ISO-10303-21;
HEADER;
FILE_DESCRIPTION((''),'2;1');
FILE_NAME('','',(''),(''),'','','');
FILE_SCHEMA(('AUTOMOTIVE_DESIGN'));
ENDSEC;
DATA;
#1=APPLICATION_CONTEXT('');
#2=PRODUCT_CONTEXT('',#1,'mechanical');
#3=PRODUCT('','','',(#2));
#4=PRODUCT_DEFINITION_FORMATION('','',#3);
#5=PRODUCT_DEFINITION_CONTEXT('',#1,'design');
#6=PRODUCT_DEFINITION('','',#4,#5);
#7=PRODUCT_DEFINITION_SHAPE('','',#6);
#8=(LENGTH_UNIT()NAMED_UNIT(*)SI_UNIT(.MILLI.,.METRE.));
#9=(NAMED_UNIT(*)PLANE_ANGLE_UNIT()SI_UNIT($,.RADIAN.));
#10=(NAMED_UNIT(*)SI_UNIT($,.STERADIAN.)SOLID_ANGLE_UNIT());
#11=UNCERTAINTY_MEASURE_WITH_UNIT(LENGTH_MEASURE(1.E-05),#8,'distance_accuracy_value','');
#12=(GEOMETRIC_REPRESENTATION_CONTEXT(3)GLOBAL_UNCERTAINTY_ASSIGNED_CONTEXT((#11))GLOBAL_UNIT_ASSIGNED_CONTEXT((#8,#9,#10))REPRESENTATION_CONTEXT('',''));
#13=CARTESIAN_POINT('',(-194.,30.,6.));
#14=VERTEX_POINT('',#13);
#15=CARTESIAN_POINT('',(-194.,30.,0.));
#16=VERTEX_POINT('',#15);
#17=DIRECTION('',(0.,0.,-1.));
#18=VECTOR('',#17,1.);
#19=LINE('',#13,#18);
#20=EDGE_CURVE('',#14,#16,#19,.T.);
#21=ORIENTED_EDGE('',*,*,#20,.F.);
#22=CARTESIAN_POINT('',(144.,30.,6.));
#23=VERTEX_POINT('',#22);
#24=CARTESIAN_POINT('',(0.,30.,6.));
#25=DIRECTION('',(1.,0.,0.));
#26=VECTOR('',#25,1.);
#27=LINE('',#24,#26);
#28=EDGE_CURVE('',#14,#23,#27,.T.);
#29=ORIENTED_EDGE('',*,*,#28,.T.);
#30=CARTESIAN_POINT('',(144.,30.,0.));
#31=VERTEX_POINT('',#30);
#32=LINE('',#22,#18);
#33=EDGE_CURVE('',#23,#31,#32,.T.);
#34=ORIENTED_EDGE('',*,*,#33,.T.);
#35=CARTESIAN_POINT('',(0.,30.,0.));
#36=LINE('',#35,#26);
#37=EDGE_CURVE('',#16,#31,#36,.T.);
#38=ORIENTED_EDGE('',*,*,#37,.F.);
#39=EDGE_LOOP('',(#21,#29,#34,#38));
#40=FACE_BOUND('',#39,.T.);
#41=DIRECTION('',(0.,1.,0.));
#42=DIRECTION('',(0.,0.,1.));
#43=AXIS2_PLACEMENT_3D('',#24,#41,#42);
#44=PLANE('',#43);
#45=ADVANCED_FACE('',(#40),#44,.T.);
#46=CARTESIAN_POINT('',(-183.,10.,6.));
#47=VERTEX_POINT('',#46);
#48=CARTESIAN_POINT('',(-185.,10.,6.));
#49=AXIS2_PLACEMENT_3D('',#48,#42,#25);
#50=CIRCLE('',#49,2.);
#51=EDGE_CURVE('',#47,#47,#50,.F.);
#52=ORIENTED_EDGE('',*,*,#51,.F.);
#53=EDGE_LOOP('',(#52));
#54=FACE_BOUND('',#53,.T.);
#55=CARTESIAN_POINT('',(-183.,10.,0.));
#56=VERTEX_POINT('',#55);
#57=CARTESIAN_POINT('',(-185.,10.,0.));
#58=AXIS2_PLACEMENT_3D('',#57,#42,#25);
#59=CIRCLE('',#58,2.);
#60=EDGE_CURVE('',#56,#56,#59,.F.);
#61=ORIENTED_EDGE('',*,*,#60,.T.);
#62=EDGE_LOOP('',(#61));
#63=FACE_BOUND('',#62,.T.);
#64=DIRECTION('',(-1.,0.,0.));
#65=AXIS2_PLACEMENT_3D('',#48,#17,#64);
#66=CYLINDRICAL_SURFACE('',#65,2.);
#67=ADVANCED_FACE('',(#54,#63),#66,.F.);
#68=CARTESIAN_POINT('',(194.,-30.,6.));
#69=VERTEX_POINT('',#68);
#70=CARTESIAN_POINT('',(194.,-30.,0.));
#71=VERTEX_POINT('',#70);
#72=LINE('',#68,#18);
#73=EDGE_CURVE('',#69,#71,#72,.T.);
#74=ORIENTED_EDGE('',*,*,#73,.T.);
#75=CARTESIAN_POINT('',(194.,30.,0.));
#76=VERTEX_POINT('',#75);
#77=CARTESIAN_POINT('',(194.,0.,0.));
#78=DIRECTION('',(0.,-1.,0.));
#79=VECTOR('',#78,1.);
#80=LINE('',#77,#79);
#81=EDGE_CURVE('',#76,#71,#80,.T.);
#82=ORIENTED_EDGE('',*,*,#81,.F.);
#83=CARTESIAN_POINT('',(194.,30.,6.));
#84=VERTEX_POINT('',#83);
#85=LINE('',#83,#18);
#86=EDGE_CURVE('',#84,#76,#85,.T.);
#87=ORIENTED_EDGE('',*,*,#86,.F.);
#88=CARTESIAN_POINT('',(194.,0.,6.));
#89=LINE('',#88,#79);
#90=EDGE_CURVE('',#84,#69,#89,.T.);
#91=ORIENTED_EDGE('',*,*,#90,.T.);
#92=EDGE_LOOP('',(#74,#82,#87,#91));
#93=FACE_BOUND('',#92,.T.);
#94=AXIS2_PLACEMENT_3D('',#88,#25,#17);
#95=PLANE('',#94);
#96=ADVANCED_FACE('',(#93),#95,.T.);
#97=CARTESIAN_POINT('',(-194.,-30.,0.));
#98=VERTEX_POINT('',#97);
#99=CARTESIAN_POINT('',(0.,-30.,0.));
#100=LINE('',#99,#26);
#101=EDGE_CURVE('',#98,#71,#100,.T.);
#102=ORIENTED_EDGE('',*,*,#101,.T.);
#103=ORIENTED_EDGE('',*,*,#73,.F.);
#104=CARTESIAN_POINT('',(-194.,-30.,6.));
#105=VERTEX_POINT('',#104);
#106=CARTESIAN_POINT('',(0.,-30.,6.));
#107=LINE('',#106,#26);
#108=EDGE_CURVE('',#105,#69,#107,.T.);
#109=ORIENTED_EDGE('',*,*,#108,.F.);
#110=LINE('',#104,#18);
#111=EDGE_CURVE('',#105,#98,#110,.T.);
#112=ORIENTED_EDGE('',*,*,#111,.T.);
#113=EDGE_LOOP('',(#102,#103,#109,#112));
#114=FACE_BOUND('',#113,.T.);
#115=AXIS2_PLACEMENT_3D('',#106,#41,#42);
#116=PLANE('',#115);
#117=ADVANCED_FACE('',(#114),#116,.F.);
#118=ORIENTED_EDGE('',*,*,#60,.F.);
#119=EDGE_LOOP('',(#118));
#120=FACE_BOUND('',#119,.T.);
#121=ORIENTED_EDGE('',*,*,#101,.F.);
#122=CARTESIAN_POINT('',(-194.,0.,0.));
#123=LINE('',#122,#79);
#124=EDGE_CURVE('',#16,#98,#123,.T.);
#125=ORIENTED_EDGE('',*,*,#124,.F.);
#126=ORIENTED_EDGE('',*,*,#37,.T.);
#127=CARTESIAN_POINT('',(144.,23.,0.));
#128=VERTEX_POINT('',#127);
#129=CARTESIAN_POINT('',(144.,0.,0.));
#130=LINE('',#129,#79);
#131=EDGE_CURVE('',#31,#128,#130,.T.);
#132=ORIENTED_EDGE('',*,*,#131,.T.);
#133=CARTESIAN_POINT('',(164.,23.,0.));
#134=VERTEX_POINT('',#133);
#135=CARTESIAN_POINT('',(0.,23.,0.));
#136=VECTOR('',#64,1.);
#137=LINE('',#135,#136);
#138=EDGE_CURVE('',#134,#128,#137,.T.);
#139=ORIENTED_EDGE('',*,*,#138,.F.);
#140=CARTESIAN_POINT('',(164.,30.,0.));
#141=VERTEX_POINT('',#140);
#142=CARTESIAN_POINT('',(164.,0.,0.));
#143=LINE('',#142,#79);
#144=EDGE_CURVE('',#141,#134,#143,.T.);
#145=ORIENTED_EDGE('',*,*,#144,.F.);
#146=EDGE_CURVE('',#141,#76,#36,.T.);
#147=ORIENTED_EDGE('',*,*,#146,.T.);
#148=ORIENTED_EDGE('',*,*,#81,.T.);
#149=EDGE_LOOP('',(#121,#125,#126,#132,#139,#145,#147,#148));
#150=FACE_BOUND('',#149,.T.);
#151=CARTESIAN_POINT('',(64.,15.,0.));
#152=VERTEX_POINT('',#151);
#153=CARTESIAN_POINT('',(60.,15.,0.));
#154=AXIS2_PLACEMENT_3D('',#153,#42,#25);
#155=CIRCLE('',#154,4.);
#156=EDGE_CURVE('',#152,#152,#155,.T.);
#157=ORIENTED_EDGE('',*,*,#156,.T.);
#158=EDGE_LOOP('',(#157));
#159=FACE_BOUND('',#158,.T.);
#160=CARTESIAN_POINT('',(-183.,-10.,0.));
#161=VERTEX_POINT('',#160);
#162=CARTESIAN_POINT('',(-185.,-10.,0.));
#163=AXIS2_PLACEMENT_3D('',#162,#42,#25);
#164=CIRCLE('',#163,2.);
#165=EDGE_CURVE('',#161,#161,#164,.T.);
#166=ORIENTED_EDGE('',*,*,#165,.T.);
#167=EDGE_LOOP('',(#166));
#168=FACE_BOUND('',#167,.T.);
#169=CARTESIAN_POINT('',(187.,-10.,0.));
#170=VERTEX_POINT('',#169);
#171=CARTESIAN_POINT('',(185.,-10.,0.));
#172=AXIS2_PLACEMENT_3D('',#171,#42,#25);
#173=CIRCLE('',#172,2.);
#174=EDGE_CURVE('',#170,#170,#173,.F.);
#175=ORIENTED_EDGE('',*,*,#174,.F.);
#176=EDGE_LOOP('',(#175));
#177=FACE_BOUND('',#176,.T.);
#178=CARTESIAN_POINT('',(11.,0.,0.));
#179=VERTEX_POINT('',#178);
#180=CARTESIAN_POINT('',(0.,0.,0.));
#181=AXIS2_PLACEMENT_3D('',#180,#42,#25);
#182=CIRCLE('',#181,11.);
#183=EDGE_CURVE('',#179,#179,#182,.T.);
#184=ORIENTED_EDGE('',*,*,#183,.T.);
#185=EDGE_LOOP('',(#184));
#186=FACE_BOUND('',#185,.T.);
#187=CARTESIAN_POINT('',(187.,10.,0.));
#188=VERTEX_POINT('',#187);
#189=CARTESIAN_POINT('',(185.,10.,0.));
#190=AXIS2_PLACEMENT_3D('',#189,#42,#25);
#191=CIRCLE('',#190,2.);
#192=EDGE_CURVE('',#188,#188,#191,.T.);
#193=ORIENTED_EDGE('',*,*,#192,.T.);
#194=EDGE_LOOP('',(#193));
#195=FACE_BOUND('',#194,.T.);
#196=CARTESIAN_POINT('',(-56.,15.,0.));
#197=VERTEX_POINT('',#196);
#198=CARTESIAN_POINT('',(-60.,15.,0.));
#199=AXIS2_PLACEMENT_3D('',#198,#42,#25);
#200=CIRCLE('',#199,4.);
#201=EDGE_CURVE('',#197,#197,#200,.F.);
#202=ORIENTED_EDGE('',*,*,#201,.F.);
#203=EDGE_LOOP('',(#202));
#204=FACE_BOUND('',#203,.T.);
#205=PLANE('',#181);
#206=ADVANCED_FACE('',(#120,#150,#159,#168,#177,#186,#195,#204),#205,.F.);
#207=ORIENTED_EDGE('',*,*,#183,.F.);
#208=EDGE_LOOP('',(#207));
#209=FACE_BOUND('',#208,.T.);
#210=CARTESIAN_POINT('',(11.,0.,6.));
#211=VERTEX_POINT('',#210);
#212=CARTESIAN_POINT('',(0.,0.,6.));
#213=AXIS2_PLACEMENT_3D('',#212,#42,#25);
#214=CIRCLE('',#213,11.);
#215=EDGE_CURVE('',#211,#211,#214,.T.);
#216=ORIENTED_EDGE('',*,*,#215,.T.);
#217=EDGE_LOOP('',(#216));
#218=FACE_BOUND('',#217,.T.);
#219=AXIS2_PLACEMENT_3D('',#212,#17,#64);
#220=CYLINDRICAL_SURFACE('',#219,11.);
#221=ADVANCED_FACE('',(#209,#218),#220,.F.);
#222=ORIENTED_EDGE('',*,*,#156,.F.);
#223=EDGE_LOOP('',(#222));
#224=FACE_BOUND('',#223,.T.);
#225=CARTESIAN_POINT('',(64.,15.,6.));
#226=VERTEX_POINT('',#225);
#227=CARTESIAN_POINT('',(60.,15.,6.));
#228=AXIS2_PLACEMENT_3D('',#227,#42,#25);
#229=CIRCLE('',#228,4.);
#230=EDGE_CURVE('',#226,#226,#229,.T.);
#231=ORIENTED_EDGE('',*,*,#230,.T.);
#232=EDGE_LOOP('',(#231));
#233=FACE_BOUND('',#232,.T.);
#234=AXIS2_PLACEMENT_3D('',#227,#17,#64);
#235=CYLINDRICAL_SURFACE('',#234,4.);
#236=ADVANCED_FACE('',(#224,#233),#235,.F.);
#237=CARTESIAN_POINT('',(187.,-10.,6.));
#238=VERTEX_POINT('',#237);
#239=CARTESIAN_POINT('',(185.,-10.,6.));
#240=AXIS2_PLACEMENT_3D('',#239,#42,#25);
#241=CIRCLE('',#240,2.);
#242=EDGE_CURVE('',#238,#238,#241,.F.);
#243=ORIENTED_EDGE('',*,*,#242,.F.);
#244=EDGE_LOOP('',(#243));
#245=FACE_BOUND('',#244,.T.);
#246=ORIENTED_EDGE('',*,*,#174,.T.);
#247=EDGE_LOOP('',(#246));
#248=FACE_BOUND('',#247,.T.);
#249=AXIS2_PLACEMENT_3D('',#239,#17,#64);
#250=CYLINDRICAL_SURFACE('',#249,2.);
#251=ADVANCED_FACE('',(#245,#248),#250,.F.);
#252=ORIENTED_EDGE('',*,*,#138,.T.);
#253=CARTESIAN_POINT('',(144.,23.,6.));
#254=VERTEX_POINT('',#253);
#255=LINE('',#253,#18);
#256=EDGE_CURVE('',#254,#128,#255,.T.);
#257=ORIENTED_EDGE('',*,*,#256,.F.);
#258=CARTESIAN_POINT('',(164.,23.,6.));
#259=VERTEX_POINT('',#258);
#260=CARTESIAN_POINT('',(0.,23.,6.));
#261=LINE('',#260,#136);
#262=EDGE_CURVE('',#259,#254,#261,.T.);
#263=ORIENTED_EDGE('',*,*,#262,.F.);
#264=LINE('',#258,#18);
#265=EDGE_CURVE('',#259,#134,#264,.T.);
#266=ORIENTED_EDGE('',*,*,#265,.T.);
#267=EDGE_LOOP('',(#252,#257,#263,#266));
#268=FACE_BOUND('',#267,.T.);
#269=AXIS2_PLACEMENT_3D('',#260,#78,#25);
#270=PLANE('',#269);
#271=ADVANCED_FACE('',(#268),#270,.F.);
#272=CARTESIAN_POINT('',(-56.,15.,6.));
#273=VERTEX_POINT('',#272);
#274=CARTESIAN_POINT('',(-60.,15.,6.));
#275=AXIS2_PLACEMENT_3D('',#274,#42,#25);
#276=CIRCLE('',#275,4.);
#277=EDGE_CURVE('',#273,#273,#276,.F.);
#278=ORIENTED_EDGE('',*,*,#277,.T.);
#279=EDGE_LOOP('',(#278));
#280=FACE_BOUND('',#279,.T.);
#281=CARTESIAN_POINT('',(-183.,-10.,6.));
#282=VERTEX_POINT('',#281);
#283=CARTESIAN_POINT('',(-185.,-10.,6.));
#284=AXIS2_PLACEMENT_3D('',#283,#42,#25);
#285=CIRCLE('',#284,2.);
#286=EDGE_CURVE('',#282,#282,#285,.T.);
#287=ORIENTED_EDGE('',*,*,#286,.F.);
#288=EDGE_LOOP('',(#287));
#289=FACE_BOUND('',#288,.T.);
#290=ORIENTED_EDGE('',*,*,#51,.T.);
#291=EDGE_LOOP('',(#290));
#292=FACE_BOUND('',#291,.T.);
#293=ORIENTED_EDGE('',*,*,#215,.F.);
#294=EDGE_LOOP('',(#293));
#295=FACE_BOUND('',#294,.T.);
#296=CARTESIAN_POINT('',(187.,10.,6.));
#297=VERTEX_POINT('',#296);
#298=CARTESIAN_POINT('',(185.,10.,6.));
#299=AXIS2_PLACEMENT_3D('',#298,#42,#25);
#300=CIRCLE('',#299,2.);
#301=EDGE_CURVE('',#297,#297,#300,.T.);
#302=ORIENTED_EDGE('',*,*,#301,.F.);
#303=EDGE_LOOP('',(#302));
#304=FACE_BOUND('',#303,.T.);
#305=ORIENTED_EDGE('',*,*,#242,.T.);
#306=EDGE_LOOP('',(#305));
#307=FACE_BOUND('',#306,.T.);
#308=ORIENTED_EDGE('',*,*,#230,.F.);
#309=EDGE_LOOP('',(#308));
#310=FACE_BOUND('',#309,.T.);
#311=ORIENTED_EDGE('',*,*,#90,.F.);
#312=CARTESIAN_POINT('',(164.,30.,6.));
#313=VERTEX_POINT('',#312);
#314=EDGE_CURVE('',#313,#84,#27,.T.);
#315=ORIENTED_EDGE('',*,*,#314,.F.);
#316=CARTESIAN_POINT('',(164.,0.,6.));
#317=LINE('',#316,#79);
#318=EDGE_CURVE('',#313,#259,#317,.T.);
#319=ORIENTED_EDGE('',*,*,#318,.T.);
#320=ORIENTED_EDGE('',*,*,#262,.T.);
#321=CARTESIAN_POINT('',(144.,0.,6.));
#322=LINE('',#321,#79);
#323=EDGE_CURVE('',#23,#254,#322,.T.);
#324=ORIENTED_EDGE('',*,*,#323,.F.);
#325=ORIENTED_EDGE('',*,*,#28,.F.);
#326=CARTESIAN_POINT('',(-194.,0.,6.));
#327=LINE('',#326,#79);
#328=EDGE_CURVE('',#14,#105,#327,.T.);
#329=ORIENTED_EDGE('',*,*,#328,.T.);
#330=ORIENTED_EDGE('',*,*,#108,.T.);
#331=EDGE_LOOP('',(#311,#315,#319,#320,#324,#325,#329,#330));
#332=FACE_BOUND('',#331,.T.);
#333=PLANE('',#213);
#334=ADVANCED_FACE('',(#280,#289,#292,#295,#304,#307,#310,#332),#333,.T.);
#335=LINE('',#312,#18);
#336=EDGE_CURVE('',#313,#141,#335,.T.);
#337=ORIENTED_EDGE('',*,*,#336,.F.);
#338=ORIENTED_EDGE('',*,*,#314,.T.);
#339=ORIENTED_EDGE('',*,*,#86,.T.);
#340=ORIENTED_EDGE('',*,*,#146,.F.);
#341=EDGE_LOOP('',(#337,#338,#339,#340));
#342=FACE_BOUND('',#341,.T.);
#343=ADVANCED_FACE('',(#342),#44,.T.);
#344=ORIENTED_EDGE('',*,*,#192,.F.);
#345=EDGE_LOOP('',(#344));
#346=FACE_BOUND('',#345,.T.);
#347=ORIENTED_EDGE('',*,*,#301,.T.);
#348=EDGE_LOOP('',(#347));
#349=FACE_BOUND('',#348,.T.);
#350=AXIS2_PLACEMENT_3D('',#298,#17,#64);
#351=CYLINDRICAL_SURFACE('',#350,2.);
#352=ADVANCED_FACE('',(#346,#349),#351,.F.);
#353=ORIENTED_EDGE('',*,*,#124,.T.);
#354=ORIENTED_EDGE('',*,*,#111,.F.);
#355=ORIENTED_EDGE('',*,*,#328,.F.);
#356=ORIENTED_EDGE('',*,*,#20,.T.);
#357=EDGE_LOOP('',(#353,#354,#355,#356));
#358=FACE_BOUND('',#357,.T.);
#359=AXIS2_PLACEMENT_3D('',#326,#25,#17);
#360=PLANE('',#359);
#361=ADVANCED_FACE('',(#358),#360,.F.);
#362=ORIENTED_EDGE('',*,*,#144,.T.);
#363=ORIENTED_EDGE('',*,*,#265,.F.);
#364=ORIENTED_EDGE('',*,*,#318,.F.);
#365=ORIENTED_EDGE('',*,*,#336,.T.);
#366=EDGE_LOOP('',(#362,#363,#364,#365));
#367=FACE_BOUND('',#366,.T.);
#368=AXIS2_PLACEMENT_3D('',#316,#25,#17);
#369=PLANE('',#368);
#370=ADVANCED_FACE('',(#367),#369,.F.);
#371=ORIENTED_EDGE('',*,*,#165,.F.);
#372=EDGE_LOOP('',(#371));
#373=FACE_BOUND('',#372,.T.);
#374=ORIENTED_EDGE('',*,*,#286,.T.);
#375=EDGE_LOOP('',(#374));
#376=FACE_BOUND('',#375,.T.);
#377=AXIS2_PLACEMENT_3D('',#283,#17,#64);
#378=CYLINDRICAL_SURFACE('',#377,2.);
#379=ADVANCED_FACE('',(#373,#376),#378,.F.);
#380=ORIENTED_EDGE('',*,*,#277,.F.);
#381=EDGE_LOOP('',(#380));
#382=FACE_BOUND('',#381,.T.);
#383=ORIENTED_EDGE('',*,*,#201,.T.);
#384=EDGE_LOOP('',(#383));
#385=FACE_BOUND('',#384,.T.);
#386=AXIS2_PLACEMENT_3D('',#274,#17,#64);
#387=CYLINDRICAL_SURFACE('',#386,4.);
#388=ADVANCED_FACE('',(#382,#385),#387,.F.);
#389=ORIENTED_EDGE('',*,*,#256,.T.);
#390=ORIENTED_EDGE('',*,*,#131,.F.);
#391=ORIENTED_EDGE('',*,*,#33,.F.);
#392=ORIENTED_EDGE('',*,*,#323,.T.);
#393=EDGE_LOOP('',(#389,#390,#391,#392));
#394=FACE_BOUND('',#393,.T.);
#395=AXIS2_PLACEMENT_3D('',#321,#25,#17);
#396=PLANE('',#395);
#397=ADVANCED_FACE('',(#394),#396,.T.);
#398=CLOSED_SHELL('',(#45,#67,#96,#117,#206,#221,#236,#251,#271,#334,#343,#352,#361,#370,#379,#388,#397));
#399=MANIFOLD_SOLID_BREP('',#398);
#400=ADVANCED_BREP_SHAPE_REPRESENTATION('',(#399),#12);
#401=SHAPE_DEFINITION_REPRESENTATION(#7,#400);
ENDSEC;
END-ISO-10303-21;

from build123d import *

# Parameters (mm, degrees)
SKETCH1_R           = 2
SKETCH1_R_2         = 4
SKETCH1_R_3         = 11
BOSS_EXTRUDE1_DEPTH = 6


with BuildPart() as part:
    # Sketch1 → Boss-Extrude1 (new body)
    with BuildSketch(Plane.XY):
        Polygon((-194, 30), (-194, -30), (194, -30), (194, 30), (164, 30), (164, 23), (144, 23), (144, 30), align=None)
        with Locations((-185, -10)):
            Circle(SKETCH1_R, mode=Mode.SUBTRACT)
        with Locations((185, -10)):
            Circle(SKETCH1_R, mode=Mode.SUBTRACT)
        with Locations((-185, 10)):
            Circle(SKETCH1_R, mode=Mode.SUBTRACT)
        with Locations((-60, 15)):
            Circle(SKETCH1_R_2, mode=Mode.SUBTRACT)
        Circle(SKETCH1_R_3, mode=Mode.SUBTRACT)
        with Locations((185, 10)):
            Circle(SKETCH1_R, mode=Mode.SUBTRACT)
        with Locations((60, 15)):
            Circle(SKETCH1_R_2, mode=Mode.SUBTRACT)
    extrude(amount=BOSS_EXTRUDE1_DEPTH)


solid = part.part
